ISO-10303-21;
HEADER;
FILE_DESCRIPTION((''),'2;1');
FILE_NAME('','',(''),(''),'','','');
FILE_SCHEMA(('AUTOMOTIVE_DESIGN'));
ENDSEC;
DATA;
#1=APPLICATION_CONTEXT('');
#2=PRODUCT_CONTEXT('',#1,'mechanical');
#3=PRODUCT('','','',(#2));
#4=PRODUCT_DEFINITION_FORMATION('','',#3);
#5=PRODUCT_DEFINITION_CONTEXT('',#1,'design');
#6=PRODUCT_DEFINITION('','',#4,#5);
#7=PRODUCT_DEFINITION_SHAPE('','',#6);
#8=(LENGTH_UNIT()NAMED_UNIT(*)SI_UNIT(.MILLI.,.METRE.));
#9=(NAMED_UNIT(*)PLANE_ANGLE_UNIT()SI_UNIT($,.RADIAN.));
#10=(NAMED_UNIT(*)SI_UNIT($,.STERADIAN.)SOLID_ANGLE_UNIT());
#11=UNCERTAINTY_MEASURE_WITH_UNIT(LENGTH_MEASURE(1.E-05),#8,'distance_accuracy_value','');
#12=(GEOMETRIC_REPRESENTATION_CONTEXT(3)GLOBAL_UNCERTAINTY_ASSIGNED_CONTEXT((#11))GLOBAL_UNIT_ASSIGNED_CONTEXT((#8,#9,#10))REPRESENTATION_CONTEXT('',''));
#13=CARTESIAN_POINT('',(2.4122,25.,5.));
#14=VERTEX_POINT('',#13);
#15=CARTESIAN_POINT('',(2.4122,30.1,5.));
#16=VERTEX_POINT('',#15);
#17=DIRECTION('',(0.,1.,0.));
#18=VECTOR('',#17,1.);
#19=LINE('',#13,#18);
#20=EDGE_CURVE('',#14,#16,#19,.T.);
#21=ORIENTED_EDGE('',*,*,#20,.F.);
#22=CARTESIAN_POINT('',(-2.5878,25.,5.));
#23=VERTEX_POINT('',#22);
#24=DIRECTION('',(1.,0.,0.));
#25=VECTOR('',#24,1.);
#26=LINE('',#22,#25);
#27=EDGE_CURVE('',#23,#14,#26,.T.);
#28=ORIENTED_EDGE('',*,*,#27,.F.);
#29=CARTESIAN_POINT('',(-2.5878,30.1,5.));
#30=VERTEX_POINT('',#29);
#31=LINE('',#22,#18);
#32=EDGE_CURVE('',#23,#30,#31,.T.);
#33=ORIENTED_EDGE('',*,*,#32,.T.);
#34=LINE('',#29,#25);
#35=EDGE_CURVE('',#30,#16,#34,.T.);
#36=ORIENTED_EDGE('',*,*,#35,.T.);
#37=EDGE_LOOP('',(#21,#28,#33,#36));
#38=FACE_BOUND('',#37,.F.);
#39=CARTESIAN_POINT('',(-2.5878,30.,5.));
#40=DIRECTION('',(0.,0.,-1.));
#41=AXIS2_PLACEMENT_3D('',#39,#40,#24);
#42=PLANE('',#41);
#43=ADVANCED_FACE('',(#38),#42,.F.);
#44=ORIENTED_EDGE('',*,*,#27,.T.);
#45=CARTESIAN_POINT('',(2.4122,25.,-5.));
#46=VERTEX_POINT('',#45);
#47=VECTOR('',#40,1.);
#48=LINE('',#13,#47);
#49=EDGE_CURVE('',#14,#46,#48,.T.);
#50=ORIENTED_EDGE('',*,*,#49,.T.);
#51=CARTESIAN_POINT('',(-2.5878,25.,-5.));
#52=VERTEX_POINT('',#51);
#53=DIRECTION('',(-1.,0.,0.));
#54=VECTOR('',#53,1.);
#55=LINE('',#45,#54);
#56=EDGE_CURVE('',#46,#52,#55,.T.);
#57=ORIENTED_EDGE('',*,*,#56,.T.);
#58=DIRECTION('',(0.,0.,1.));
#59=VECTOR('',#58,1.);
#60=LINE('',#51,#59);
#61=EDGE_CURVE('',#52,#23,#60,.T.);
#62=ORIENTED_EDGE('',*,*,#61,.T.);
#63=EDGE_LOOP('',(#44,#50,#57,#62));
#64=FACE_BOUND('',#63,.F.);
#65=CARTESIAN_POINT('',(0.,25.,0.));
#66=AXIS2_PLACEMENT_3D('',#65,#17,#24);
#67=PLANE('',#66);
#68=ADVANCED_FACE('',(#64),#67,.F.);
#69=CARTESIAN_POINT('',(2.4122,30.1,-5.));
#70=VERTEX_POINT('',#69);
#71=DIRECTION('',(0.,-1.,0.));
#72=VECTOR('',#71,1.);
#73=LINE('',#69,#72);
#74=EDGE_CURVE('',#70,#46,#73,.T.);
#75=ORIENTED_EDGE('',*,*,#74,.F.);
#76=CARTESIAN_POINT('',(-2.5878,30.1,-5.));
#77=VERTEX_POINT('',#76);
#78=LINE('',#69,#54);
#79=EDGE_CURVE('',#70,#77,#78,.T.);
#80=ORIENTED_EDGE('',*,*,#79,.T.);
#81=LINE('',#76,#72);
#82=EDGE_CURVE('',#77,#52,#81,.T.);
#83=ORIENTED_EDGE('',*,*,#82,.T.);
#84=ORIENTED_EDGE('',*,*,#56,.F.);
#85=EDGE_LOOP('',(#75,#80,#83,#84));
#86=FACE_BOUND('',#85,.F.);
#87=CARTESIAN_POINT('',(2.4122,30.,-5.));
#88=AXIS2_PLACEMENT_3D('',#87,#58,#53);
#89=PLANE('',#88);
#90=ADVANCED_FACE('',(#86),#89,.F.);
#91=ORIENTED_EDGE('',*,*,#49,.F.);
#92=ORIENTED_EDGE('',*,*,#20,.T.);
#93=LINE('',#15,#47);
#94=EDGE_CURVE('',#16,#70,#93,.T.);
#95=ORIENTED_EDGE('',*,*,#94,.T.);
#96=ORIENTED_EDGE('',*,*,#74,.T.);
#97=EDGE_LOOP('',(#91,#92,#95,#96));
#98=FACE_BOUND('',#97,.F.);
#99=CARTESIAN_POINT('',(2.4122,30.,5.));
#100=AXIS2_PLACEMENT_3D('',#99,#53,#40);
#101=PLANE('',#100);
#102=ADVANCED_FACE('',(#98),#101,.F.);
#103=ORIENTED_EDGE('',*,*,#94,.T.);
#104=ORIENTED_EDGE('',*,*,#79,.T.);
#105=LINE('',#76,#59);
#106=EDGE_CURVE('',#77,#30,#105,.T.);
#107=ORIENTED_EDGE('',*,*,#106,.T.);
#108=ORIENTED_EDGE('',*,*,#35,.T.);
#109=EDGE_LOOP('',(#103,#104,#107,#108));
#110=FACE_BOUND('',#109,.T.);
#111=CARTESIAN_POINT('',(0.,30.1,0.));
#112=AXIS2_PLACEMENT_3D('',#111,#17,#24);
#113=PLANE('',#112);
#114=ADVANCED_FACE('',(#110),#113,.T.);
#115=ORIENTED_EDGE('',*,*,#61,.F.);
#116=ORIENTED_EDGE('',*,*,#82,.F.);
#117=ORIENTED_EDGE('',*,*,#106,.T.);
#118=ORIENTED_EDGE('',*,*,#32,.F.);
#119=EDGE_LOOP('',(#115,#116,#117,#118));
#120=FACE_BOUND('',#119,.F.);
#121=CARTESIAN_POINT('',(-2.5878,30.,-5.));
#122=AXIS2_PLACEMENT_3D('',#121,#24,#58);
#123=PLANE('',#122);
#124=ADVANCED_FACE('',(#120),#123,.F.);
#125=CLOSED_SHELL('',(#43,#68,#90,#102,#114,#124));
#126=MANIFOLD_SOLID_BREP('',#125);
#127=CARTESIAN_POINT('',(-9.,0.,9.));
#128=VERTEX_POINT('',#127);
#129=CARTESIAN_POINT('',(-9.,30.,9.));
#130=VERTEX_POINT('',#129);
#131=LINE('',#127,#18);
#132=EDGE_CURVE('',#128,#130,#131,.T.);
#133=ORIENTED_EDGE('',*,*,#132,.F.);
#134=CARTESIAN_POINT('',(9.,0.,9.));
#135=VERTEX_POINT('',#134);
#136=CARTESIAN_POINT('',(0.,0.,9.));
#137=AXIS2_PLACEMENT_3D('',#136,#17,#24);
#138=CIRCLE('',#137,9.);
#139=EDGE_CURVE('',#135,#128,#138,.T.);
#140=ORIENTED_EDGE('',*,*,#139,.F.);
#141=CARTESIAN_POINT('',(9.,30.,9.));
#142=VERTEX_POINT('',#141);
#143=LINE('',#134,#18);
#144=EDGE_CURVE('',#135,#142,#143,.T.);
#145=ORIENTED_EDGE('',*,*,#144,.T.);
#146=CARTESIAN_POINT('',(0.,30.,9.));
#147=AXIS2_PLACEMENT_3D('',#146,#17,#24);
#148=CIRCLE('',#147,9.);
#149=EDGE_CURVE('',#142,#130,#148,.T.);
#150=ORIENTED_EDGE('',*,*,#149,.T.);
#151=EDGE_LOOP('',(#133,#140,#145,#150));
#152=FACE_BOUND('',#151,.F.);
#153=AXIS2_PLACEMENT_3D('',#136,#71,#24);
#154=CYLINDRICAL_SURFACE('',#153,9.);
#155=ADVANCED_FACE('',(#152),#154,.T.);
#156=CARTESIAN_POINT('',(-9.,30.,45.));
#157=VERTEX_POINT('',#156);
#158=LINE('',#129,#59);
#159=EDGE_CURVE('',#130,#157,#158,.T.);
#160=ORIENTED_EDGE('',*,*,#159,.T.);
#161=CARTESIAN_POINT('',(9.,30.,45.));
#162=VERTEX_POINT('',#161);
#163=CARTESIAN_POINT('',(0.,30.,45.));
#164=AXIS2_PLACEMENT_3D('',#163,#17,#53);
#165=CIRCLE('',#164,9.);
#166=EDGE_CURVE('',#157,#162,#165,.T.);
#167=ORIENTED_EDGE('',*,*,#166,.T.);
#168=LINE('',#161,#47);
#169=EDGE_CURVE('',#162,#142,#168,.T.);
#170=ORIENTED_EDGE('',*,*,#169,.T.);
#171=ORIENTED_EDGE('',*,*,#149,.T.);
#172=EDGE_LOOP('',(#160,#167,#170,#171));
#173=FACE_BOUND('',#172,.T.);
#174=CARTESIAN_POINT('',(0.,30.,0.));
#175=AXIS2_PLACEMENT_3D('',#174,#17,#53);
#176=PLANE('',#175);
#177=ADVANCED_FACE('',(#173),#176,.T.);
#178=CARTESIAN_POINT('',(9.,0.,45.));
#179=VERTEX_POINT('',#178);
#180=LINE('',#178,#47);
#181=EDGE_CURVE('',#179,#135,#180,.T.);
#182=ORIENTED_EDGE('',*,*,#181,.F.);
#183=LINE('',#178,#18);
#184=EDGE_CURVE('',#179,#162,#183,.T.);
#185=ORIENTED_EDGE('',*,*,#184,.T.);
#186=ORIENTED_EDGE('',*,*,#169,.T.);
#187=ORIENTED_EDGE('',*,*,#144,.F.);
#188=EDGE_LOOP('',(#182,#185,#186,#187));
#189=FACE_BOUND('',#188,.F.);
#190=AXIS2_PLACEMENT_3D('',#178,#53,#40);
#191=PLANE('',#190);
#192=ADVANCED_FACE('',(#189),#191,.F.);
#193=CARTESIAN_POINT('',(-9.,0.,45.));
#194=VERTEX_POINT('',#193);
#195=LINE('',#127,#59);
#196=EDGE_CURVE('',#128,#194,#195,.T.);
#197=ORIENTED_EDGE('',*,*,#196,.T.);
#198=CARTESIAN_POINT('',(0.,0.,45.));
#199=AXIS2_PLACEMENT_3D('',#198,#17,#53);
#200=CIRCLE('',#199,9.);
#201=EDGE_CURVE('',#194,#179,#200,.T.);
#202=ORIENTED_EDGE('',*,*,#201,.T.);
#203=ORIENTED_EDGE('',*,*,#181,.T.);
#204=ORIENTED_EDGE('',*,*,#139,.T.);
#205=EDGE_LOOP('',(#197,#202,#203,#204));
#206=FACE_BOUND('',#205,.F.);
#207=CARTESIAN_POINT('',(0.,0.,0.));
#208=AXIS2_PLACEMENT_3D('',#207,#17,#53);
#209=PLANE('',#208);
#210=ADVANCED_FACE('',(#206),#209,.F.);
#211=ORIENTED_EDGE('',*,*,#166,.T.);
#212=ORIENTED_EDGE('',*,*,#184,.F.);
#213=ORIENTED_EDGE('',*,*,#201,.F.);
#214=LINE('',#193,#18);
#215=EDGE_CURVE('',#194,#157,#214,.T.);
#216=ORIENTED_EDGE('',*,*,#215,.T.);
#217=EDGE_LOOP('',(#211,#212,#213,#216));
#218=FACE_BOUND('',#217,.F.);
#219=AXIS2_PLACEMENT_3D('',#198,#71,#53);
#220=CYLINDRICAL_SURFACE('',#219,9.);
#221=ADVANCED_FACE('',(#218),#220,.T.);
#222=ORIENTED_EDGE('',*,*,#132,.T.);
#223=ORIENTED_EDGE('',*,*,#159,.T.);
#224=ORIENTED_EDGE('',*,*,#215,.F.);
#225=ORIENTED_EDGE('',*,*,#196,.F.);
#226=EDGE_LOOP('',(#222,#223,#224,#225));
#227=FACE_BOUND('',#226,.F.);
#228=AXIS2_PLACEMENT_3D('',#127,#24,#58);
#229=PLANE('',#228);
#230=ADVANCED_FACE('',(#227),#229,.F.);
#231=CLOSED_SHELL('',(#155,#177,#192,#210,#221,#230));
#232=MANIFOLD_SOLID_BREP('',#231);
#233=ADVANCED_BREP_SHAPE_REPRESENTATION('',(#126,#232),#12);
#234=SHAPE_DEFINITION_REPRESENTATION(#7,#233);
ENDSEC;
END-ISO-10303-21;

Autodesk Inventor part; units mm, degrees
ref_plane "YZ Plane" through (0, 0, 0) normal (1, 0, 0) x (0, 1, 0)
ref_plane "XZ Plane" through (0, 0, 0) normal (0, 1, 0) x (-1, 0, 0)
ref_plane "XY Plane" through (0, 0, 0) normal (0, 0, 1) x (1, 0, 0)
sketch "Sketch1" plane through (0, 0, 0) normal (0, 1, 0) x (-1, 0, 0)
  line L0 (0, 54) -> (0, 0) construction
  line L1 (-9, 45) -> (-9, 9)
  line L2 (9, 9) -> (9, 45)
  arc A0 (9, 45) -> (-9, 45) centre (0, 45) ccw
  arc A1 (-9, 9) -> (9, 9) centre (0, 9) ccw
  point P0 (0, 27)
  dimension "d0" = 54
  dimension "d1" = 18
extrude "Extrusion1" add sketch "Sketch1" along normal blind 30
sketch "Sketch2" plane through (0, 30, 0) normal (0, 1, 0) x (1, 0, 0)
  line L0 (-2.5878, -5) -> (2.4122, -5)
  line L1 (2.4122, -5) -> (2.4122, 5)
  line L2 (2.4122, 5) -> (-2.5878, 5)
  line L3 (-2.5878, 5) -> (-2.5878, -5)
  point P0 (0, 0)
  dimension "d4" = 5
  dimension "d5" = 10
  dimension "d6" = 5
extrude "Extrusion2" add sketch "Sketch2" along normal blind 0.1 and the other way blind 5 separate body
properties part number "battery_small"
